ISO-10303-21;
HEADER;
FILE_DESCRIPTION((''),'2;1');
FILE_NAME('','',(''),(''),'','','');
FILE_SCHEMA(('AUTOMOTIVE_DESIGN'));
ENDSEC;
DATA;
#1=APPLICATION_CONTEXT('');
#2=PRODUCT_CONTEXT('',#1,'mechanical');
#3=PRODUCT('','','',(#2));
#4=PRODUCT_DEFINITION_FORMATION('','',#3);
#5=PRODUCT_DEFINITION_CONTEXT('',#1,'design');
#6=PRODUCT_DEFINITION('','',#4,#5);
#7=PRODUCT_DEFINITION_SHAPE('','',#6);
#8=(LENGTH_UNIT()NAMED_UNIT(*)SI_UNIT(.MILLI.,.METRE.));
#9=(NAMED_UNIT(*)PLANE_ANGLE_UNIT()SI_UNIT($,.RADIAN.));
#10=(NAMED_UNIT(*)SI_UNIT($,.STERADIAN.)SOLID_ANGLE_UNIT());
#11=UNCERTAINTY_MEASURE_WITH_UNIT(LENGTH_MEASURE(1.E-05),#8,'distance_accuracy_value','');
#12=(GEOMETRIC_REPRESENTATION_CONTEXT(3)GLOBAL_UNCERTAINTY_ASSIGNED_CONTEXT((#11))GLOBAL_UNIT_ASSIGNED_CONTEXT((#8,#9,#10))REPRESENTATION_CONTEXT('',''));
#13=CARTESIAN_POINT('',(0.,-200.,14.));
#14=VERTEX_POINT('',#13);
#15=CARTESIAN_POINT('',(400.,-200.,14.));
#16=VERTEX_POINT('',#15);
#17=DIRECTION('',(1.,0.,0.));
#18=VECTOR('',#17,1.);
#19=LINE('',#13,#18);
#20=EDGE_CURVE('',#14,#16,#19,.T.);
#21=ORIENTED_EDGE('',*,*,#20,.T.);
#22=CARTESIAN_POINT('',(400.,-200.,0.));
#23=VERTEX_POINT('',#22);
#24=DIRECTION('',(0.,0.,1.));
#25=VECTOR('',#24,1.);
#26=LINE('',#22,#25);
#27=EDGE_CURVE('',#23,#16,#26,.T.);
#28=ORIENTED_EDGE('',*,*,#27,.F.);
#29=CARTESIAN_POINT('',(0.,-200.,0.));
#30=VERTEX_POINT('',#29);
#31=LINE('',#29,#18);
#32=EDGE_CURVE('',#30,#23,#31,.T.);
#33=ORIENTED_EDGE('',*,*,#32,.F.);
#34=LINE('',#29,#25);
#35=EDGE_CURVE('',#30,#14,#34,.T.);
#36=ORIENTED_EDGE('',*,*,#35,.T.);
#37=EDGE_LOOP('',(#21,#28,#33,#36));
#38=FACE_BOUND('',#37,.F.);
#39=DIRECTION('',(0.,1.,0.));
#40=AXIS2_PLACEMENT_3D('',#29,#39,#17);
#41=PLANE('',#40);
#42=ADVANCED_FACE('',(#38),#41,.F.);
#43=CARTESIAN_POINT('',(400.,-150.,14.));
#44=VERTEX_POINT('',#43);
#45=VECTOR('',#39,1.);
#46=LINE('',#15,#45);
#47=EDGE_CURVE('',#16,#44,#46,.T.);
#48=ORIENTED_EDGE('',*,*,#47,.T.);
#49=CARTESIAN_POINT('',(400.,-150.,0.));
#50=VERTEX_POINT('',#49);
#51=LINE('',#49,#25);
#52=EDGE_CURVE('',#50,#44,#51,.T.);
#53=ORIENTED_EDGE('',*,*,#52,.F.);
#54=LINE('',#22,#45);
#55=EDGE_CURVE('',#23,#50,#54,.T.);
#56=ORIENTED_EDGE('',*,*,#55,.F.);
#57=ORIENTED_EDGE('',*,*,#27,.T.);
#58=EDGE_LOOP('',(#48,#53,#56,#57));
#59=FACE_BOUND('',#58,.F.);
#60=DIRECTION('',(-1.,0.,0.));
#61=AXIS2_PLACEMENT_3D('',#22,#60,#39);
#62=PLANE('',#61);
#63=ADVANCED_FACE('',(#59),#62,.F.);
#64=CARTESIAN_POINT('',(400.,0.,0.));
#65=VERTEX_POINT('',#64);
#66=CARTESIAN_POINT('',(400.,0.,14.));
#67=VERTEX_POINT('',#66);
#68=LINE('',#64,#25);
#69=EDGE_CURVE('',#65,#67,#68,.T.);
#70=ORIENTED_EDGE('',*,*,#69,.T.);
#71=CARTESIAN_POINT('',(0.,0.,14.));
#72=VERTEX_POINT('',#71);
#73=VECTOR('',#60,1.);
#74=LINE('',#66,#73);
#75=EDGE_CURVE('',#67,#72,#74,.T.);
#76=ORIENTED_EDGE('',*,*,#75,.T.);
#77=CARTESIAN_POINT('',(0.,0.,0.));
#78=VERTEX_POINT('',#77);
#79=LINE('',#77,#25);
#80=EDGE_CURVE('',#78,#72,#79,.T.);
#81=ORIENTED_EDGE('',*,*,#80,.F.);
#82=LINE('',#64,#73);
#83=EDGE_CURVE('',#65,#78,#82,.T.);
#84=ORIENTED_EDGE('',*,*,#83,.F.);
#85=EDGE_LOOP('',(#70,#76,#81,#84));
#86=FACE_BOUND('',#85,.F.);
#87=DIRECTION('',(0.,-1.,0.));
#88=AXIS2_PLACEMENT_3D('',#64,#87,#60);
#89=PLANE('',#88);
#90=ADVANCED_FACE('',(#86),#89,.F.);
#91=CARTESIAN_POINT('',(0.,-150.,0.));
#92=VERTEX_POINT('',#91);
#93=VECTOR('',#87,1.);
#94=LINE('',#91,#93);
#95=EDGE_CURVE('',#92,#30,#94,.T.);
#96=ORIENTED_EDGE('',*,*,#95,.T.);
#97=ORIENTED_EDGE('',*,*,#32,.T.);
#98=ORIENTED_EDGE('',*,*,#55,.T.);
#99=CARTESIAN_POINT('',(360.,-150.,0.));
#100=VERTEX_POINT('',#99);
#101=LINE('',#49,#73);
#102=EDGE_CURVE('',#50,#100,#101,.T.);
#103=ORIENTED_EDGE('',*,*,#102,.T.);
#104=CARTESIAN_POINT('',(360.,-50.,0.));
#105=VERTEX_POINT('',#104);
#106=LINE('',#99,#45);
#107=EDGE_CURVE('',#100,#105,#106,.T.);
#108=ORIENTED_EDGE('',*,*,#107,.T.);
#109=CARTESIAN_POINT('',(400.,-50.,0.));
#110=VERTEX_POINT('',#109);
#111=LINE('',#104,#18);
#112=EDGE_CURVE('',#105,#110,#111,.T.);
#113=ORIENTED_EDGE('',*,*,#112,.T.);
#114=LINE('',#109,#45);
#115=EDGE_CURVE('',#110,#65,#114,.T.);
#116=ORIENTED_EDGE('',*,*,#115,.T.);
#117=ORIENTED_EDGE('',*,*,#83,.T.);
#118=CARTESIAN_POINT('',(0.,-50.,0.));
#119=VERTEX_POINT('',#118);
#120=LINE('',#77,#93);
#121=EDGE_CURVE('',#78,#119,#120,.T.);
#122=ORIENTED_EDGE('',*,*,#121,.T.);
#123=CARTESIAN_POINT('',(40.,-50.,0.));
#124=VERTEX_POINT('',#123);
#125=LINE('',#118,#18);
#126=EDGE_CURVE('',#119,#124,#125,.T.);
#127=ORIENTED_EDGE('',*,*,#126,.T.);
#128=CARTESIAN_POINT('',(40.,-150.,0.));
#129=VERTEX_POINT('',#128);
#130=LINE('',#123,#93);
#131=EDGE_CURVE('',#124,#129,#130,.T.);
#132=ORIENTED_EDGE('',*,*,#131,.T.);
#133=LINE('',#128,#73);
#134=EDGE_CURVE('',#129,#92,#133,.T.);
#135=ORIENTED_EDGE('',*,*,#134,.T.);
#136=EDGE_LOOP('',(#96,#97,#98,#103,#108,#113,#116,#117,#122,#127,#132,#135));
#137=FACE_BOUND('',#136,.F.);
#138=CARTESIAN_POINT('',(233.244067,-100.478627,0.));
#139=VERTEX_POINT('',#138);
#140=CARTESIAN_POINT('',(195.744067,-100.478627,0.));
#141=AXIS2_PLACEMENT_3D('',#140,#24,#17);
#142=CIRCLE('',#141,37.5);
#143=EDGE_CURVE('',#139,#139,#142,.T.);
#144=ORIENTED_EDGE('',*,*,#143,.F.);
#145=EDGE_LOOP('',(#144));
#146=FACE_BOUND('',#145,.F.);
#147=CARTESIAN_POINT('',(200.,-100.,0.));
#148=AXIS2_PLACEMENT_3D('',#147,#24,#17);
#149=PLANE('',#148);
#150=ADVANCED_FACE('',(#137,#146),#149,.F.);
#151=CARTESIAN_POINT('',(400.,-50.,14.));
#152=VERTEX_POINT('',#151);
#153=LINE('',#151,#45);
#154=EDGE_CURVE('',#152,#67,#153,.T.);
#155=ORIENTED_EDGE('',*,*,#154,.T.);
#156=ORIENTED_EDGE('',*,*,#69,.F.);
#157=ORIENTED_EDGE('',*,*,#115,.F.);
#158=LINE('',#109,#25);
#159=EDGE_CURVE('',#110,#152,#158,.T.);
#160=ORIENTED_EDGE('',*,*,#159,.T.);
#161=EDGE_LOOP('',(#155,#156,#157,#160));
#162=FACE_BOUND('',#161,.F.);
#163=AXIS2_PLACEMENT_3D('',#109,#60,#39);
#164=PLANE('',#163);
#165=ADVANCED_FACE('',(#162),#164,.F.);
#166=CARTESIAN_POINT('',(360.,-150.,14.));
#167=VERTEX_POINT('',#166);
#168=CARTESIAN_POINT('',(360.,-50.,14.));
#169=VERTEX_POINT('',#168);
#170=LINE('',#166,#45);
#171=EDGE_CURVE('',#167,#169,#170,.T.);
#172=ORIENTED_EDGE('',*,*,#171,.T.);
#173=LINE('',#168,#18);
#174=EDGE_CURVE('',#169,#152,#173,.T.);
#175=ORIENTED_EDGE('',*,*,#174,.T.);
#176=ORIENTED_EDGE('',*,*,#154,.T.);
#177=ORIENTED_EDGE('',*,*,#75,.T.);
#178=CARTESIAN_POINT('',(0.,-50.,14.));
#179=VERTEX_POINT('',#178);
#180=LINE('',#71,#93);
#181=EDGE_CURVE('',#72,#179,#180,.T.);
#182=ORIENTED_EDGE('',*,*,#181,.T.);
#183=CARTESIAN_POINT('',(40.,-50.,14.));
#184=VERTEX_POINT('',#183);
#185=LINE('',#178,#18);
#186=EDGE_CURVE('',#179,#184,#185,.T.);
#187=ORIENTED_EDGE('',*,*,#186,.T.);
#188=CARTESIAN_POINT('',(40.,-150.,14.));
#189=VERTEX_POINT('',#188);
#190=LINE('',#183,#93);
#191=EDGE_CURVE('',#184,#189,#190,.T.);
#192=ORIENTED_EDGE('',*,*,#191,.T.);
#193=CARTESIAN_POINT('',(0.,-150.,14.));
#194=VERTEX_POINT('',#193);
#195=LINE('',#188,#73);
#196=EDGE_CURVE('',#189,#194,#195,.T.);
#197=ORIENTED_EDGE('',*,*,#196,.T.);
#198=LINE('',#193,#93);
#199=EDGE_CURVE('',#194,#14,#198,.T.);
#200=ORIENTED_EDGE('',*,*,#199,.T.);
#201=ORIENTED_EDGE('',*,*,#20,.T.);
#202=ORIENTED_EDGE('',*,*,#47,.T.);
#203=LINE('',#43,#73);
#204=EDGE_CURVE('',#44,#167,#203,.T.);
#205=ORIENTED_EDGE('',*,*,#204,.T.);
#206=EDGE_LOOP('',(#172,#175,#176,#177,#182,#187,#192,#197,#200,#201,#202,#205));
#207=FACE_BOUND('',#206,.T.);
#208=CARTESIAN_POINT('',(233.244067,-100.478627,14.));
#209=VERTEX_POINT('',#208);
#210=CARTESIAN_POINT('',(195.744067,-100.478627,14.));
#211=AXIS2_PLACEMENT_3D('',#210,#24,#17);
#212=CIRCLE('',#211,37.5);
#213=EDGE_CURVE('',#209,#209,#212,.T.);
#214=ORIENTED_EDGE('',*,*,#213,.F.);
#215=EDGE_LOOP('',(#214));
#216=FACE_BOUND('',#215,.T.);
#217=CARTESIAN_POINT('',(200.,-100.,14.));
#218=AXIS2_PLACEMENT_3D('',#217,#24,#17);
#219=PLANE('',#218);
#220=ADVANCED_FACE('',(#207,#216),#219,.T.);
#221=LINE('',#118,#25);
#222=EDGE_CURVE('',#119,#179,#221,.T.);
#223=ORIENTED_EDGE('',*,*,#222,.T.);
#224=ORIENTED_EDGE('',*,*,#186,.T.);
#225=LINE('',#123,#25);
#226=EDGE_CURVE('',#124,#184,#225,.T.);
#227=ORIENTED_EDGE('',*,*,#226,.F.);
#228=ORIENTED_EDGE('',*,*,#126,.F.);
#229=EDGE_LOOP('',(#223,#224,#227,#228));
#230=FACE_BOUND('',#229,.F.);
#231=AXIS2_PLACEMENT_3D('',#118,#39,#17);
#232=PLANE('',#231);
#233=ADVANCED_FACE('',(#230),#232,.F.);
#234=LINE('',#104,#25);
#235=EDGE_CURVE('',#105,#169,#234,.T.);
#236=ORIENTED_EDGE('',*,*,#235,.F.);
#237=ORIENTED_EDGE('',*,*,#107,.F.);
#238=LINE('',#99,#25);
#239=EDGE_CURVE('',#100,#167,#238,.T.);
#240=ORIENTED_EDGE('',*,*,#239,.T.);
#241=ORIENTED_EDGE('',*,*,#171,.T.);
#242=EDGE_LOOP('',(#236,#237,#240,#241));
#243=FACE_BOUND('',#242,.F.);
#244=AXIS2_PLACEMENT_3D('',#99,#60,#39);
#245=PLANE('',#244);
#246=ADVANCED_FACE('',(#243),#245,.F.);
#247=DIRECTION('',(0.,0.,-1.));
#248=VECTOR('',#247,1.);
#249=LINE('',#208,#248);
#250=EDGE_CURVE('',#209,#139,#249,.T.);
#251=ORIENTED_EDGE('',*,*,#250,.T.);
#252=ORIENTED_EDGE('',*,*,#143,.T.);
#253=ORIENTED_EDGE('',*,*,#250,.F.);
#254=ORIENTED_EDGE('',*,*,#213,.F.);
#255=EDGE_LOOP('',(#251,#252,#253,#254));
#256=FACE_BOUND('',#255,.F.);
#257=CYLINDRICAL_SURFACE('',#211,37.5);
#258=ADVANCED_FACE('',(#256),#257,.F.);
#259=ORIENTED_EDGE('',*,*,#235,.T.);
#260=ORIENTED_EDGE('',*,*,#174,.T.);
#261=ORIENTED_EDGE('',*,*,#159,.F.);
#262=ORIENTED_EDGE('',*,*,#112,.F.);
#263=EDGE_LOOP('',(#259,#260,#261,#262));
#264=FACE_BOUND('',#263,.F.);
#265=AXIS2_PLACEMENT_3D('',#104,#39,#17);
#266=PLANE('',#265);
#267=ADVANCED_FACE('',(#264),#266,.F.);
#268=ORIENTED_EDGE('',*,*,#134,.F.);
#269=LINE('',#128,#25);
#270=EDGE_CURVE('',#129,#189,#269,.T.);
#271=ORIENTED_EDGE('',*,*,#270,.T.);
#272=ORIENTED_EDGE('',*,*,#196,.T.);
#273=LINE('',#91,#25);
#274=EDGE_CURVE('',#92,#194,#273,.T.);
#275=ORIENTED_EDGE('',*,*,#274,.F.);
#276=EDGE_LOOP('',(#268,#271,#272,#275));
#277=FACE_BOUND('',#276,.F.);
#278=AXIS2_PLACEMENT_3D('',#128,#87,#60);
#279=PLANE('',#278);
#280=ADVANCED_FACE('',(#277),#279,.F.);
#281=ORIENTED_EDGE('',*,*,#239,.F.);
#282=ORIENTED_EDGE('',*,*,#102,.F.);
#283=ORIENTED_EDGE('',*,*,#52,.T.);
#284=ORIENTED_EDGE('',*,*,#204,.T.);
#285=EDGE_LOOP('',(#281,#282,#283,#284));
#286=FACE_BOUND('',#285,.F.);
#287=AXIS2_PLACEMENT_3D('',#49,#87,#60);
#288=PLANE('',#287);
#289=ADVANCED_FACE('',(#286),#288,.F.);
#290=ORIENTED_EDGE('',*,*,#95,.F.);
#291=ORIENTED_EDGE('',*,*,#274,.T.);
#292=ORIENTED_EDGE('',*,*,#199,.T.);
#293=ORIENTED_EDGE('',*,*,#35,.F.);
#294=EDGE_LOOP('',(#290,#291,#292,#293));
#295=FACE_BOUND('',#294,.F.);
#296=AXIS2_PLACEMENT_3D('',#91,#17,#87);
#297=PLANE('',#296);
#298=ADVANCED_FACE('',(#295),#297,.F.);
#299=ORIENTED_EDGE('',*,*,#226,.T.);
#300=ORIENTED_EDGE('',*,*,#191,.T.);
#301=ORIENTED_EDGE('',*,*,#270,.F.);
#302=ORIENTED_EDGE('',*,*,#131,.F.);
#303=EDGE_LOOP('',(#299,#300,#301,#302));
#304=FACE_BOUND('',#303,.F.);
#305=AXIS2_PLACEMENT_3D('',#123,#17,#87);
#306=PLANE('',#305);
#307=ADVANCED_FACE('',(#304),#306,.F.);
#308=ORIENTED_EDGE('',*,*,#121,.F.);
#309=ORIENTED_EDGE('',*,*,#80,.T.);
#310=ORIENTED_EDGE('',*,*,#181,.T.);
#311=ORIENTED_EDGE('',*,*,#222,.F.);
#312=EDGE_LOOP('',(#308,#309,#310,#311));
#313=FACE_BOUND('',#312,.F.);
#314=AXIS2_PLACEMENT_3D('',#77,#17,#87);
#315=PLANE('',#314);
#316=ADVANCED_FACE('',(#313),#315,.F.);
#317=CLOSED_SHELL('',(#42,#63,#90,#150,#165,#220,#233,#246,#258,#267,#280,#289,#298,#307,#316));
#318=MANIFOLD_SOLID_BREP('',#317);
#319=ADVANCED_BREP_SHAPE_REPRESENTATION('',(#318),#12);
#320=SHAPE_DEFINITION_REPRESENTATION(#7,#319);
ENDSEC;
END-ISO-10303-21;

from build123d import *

# Parameters (mm, degrees)
F1_DEPTH = 14
F2_R     = 37.5
F3_DEPTH = 14


with BuildPart() as f1:
    # F0 (on Top) → F1 (new body)
    with BuildSketch(Plane.XY):
        Polygon((400, 0), (0, 0), (0, -50), (40, -50), (40, -150), (0, -150), (0, -200), (400, -200), (400, -150), (360, -150), (360, -50), (400, -50), align=None)
    extrude(amount=F1_DEPTH)

    # F2 (on face) → F3 (cut)
    with BuildSketch(Plane.XY.offset(14)):
        with Locations((195.744067, -100.478627)):
            Circle(F2_R)
    extrude(amount=-F3_DEPTH, mode=Mode.SUBTRACT)


solid = f1.part
